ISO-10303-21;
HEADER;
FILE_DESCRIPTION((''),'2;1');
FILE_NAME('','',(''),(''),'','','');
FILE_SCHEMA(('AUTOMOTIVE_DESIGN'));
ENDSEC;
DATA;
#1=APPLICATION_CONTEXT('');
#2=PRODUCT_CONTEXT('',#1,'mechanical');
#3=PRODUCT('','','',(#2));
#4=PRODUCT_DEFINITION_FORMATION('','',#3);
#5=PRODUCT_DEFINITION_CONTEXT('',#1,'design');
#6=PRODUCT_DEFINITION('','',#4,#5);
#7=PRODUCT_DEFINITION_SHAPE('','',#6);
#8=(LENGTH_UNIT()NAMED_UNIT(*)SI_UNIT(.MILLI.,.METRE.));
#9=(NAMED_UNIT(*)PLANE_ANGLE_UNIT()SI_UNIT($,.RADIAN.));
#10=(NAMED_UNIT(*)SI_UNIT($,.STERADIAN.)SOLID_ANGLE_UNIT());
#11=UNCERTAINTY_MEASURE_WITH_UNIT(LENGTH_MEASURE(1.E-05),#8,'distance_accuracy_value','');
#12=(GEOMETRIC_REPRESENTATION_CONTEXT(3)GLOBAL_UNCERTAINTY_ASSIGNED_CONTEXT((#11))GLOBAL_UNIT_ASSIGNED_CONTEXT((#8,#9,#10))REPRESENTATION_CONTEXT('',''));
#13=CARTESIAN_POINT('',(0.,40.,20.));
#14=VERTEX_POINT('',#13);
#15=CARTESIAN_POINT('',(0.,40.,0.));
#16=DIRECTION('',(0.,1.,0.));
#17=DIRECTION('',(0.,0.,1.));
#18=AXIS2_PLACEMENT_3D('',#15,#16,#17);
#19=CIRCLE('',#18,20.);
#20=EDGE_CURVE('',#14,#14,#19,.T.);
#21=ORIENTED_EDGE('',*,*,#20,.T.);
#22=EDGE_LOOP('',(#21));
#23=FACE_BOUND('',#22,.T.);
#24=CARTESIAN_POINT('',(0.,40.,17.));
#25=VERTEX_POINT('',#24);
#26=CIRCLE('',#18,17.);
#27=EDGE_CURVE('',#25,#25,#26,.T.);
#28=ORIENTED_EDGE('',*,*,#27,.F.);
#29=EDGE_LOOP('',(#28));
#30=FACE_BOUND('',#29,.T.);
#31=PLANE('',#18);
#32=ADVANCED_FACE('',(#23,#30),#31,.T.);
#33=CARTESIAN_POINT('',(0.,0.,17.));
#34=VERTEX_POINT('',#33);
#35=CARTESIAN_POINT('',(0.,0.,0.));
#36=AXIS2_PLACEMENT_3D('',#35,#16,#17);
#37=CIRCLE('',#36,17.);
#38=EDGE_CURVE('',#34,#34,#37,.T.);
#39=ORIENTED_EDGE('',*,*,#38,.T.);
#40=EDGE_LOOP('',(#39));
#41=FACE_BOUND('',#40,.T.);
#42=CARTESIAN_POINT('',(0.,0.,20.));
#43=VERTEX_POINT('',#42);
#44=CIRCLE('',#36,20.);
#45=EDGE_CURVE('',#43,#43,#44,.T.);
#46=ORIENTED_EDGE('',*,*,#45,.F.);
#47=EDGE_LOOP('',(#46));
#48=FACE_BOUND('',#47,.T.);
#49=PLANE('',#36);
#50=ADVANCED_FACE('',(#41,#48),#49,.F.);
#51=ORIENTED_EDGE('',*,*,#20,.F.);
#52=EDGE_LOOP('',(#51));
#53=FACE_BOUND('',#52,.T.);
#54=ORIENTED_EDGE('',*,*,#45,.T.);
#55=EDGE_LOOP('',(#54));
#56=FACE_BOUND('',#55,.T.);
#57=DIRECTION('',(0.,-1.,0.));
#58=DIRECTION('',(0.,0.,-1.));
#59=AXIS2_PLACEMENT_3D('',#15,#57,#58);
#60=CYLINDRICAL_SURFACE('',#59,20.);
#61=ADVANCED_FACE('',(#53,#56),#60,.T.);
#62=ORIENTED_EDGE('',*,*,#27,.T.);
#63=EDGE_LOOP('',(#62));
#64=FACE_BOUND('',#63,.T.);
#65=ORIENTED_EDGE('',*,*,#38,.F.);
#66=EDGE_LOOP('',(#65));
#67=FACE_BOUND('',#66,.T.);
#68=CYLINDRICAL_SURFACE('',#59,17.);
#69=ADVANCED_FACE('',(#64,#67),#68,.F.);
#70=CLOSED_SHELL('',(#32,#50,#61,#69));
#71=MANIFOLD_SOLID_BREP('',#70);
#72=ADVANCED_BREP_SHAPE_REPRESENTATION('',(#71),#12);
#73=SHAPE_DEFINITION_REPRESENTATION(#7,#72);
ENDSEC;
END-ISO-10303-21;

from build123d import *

# Parameters (mm, degrees)
SKETCH_1_R      = 20
SKETCH_1_R_2    = 17
EXTRUDE_1_DEPTH = 40


with BuildPart() as part:
    # 스케치1 → 보스-돌출1 (new body)
    with BuildSketch(Plane(origin=(0, 0, 0), x_dir=(1, 0, 0), z_dir=(0, 1, 0))):
        with Locations(Location((0, 0, 0), (0, 0, 270))):
            Circle(SKETCH_1_R)
        with Locations(Location((0, 0, 0), (0, 0, 270))):
            Circle(SKETCH_1_R_2, mode=Mode.SUBTRACT)
    extrude(amount=EXTRUDE_1_DEPTH)


solid = part.part
